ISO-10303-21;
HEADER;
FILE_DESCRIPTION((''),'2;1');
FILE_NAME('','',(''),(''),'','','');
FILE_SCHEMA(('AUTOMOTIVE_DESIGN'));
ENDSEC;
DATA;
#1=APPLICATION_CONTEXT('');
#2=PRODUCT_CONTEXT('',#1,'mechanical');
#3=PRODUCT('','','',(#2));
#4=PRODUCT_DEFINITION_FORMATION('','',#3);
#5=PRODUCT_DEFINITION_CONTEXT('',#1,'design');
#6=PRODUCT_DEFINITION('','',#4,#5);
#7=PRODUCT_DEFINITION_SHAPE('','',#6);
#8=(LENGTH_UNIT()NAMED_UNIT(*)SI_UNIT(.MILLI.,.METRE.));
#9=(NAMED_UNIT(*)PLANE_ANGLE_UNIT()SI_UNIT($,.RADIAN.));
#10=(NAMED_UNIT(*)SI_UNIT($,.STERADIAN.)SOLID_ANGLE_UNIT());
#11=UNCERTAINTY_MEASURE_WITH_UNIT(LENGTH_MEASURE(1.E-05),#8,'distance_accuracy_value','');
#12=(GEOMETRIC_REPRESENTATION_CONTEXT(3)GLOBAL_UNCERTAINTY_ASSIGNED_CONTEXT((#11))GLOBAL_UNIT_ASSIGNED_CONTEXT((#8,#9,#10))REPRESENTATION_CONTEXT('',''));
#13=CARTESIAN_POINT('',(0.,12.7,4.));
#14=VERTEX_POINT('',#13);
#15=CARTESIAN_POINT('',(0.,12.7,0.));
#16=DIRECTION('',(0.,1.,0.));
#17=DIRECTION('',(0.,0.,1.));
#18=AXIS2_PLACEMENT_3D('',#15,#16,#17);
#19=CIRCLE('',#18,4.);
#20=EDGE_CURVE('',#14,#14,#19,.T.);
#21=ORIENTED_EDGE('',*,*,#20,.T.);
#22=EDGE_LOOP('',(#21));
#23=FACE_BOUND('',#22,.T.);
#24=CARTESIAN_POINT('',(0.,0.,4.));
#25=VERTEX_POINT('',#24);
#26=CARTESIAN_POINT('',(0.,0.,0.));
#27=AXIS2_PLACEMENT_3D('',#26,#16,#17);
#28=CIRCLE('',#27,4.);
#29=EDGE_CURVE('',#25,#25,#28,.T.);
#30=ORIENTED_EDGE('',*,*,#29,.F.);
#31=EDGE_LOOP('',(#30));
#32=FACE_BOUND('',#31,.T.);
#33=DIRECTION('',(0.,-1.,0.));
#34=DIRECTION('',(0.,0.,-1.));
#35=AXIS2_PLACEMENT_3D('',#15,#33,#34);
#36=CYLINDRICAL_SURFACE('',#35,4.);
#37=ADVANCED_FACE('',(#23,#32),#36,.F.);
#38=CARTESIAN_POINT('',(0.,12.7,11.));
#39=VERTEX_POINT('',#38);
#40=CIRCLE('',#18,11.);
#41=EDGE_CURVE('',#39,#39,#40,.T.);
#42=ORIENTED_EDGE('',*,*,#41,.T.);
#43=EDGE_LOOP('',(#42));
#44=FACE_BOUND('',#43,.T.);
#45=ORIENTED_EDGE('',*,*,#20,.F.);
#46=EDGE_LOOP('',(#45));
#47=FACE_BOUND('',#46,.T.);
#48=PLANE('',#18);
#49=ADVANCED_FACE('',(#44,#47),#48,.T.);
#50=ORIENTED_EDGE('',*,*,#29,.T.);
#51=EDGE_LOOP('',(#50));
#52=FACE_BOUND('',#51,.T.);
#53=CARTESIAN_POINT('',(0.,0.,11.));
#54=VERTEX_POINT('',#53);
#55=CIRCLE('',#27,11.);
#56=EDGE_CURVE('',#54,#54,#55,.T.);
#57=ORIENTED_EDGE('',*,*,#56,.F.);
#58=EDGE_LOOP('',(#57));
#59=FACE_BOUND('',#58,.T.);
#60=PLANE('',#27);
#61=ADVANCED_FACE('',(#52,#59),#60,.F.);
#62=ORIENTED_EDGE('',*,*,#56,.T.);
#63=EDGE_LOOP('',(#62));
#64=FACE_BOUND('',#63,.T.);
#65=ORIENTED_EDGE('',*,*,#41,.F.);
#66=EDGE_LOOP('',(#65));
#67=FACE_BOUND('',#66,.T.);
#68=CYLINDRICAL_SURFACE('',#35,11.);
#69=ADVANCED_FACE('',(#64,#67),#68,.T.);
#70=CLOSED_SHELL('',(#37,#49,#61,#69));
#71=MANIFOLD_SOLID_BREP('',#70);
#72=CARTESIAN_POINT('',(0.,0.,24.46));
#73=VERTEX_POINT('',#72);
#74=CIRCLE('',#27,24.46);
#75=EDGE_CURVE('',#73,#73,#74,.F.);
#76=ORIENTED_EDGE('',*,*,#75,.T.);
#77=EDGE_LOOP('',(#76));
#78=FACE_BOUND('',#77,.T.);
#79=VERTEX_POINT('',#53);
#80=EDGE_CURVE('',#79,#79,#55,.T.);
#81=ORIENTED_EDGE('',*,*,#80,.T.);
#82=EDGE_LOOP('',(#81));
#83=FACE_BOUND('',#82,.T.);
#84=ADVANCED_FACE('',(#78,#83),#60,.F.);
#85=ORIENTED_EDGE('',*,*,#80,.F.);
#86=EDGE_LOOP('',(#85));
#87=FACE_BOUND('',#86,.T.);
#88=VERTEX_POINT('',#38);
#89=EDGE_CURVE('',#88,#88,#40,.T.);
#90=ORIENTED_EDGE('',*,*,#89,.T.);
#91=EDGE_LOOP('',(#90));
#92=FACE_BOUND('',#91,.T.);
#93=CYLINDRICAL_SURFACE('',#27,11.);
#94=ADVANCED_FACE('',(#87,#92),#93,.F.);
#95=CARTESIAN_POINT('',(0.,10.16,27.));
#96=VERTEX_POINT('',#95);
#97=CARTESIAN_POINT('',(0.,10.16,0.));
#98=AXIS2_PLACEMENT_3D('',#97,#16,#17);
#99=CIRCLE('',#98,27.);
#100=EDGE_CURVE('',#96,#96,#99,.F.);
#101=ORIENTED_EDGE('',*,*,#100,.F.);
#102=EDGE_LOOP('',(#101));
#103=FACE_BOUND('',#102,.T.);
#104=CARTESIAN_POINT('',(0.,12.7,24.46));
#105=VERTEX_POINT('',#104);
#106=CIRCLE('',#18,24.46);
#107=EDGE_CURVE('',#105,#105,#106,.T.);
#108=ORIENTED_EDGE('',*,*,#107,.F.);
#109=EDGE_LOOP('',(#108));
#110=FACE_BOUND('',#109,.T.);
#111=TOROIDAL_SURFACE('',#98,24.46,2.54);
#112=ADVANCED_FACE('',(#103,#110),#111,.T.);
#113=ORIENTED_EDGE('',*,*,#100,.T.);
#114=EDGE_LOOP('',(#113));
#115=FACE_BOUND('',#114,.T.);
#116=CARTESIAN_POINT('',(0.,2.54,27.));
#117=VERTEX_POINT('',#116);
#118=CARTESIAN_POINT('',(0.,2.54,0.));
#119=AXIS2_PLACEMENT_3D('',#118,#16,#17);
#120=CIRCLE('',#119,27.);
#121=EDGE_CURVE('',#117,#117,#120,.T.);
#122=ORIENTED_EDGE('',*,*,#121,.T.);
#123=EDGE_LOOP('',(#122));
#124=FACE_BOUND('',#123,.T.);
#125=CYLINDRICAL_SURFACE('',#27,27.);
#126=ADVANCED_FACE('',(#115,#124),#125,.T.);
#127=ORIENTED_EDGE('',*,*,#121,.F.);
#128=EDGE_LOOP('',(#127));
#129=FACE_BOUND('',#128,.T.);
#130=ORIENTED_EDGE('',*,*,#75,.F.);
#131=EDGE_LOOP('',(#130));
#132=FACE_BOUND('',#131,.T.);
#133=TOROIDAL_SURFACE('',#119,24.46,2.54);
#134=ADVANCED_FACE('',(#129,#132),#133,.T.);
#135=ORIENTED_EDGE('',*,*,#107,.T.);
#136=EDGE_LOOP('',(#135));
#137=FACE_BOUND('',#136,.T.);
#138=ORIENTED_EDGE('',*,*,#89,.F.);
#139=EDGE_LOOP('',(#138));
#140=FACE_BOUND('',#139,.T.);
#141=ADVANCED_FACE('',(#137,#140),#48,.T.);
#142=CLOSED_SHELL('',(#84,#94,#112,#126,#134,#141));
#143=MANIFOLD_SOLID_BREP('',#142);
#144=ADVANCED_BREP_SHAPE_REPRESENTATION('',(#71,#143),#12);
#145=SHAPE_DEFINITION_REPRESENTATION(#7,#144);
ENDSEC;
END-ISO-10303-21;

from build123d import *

# Parameters (mm, degrees)
SKETCH1_R           = 11
SKETCH1_R_2         = 4
BOSS_EXTRUDE1_DEPTH = 12.7
SKETCH2_R           = 27
SKETCH2_R_2         = 11
BOSS_EXTRUDE2_DEPTH = 12.7
FILLET1_R           = 2.54


with BuildPart() as part:
    # Sketch1 → Boss-Extrude1 (new body)
    with BuildSketch(Plane(origin=(0, 0, 0), x_dir=(1, 0, 0), z_dir=(0, 1, 0))):
        Circle(SKETCH1_R)
        Circle(SKETCH1_R_2, mode=Mode.SUBTRACT)
    extrude(amount=BOSS_EXTRUDE1_DEPTH)


with BuildPart() as body_2:
    # Sketch2 → Boss-Extrude2 (new body)
    with BuildSketch(Plane(origin=(0, 12.7, 0), x_dir=(1, 0, 0), z_dir=(0, 1, 0))):
        Circle(SKETCH2_R)
        Circle(SKETCH2_R_2, mode=Mode.SUBTRACT)
    extrude(amount=-BOSS_EXTRUDE2_DEPTH)

    # Fillet1
    fillet1_edges = [body_2.edges().sort_by_distance(p)[0] for p in [
        (-27, 12.7, 0),
        (-27, 0, 0),
    ]]
    fillet(fillet1_edges, radius=FILLET1_R)


solid = Compound([part.part, body_2.part])
